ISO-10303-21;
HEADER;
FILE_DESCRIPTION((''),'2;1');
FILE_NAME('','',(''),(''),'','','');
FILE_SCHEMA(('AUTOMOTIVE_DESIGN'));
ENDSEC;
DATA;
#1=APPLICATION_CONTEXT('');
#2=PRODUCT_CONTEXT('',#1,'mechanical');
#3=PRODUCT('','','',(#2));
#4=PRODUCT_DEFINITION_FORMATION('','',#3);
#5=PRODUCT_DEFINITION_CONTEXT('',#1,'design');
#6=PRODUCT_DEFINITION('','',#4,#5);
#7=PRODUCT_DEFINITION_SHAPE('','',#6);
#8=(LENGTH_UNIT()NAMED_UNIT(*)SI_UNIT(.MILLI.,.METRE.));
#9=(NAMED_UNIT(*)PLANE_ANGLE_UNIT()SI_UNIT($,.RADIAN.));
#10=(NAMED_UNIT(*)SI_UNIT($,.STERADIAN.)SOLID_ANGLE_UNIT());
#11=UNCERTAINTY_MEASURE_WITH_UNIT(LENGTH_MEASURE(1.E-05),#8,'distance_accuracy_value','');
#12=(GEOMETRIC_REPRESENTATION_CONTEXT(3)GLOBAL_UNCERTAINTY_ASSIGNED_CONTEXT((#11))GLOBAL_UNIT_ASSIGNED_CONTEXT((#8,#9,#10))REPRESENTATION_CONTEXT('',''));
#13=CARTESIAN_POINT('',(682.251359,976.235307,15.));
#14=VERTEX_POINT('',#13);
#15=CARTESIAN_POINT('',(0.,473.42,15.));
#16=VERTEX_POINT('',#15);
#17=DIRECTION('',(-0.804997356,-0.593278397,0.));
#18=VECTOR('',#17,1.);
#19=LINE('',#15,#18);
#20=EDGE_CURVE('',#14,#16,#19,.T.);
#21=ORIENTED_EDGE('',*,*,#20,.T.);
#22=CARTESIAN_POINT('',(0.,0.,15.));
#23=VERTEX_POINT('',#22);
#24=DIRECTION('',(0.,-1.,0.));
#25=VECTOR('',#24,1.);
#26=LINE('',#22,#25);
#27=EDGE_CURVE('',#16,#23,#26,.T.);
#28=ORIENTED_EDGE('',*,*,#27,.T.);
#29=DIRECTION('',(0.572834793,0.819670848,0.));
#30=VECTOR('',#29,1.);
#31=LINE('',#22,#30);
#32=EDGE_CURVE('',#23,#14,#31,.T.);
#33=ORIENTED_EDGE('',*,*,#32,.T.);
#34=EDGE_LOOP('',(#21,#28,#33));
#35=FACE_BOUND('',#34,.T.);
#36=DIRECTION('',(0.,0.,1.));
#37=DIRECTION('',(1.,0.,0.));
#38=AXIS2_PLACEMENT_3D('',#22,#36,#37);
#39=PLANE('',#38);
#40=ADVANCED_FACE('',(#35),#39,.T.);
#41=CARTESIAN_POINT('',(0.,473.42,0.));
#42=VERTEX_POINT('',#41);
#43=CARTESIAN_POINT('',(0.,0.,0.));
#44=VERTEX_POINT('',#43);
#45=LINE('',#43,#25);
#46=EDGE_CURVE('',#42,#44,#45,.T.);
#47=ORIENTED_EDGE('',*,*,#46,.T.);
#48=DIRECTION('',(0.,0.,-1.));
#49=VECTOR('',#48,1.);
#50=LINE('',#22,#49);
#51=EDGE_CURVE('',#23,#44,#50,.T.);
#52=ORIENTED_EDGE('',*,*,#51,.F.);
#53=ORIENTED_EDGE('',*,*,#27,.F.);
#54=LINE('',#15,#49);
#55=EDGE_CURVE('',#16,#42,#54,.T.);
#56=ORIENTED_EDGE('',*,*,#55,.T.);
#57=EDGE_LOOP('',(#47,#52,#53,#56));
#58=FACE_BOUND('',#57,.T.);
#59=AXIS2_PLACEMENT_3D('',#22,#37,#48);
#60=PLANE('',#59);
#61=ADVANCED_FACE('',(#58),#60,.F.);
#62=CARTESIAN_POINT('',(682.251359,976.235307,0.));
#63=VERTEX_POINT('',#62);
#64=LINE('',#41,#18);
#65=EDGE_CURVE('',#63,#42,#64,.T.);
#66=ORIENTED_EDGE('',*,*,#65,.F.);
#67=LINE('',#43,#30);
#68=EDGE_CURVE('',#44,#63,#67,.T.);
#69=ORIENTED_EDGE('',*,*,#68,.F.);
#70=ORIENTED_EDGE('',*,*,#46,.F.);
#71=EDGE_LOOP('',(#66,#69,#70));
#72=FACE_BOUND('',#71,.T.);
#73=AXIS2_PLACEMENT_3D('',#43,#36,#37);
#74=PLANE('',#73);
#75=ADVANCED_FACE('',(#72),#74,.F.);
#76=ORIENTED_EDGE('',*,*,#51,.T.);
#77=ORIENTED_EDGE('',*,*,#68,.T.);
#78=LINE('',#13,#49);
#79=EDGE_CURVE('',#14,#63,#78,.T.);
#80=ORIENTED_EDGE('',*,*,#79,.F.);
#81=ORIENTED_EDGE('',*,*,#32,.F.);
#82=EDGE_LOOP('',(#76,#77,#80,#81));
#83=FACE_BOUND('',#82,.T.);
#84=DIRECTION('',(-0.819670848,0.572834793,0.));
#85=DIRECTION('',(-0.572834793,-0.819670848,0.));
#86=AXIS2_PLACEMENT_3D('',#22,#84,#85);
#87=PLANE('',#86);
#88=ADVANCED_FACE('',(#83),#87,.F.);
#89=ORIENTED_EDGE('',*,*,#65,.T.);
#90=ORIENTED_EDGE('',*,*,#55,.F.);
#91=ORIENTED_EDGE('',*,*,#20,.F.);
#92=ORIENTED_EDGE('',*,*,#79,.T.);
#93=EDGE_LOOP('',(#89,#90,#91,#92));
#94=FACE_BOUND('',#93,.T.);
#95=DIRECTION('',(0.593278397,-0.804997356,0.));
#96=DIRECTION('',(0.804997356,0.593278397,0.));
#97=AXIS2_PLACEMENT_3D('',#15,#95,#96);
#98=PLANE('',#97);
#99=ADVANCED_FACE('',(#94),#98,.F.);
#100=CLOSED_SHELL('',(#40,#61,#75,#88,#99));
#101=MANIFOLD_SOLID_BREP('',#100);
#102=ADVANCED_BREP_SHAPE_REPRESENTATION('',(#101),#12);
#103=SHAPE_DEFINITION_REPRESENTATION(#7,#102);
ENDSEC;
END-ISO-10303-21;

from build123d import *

# Parameters (mm, degrees)
BOSS_EXTRUDE1_DEPTH = 15


with BuildPart() as part:
    # Sketch1 → Boss-Extrude1 (new body)
    with BuildSketch(Plane.XY):
        Polygon((0, 0), (682.251359352, 976.235307108), (0, 473.42), align=None)
    extrude(amount=BOSS_EXTRUDE1_DEPTH)


solid = part.part
